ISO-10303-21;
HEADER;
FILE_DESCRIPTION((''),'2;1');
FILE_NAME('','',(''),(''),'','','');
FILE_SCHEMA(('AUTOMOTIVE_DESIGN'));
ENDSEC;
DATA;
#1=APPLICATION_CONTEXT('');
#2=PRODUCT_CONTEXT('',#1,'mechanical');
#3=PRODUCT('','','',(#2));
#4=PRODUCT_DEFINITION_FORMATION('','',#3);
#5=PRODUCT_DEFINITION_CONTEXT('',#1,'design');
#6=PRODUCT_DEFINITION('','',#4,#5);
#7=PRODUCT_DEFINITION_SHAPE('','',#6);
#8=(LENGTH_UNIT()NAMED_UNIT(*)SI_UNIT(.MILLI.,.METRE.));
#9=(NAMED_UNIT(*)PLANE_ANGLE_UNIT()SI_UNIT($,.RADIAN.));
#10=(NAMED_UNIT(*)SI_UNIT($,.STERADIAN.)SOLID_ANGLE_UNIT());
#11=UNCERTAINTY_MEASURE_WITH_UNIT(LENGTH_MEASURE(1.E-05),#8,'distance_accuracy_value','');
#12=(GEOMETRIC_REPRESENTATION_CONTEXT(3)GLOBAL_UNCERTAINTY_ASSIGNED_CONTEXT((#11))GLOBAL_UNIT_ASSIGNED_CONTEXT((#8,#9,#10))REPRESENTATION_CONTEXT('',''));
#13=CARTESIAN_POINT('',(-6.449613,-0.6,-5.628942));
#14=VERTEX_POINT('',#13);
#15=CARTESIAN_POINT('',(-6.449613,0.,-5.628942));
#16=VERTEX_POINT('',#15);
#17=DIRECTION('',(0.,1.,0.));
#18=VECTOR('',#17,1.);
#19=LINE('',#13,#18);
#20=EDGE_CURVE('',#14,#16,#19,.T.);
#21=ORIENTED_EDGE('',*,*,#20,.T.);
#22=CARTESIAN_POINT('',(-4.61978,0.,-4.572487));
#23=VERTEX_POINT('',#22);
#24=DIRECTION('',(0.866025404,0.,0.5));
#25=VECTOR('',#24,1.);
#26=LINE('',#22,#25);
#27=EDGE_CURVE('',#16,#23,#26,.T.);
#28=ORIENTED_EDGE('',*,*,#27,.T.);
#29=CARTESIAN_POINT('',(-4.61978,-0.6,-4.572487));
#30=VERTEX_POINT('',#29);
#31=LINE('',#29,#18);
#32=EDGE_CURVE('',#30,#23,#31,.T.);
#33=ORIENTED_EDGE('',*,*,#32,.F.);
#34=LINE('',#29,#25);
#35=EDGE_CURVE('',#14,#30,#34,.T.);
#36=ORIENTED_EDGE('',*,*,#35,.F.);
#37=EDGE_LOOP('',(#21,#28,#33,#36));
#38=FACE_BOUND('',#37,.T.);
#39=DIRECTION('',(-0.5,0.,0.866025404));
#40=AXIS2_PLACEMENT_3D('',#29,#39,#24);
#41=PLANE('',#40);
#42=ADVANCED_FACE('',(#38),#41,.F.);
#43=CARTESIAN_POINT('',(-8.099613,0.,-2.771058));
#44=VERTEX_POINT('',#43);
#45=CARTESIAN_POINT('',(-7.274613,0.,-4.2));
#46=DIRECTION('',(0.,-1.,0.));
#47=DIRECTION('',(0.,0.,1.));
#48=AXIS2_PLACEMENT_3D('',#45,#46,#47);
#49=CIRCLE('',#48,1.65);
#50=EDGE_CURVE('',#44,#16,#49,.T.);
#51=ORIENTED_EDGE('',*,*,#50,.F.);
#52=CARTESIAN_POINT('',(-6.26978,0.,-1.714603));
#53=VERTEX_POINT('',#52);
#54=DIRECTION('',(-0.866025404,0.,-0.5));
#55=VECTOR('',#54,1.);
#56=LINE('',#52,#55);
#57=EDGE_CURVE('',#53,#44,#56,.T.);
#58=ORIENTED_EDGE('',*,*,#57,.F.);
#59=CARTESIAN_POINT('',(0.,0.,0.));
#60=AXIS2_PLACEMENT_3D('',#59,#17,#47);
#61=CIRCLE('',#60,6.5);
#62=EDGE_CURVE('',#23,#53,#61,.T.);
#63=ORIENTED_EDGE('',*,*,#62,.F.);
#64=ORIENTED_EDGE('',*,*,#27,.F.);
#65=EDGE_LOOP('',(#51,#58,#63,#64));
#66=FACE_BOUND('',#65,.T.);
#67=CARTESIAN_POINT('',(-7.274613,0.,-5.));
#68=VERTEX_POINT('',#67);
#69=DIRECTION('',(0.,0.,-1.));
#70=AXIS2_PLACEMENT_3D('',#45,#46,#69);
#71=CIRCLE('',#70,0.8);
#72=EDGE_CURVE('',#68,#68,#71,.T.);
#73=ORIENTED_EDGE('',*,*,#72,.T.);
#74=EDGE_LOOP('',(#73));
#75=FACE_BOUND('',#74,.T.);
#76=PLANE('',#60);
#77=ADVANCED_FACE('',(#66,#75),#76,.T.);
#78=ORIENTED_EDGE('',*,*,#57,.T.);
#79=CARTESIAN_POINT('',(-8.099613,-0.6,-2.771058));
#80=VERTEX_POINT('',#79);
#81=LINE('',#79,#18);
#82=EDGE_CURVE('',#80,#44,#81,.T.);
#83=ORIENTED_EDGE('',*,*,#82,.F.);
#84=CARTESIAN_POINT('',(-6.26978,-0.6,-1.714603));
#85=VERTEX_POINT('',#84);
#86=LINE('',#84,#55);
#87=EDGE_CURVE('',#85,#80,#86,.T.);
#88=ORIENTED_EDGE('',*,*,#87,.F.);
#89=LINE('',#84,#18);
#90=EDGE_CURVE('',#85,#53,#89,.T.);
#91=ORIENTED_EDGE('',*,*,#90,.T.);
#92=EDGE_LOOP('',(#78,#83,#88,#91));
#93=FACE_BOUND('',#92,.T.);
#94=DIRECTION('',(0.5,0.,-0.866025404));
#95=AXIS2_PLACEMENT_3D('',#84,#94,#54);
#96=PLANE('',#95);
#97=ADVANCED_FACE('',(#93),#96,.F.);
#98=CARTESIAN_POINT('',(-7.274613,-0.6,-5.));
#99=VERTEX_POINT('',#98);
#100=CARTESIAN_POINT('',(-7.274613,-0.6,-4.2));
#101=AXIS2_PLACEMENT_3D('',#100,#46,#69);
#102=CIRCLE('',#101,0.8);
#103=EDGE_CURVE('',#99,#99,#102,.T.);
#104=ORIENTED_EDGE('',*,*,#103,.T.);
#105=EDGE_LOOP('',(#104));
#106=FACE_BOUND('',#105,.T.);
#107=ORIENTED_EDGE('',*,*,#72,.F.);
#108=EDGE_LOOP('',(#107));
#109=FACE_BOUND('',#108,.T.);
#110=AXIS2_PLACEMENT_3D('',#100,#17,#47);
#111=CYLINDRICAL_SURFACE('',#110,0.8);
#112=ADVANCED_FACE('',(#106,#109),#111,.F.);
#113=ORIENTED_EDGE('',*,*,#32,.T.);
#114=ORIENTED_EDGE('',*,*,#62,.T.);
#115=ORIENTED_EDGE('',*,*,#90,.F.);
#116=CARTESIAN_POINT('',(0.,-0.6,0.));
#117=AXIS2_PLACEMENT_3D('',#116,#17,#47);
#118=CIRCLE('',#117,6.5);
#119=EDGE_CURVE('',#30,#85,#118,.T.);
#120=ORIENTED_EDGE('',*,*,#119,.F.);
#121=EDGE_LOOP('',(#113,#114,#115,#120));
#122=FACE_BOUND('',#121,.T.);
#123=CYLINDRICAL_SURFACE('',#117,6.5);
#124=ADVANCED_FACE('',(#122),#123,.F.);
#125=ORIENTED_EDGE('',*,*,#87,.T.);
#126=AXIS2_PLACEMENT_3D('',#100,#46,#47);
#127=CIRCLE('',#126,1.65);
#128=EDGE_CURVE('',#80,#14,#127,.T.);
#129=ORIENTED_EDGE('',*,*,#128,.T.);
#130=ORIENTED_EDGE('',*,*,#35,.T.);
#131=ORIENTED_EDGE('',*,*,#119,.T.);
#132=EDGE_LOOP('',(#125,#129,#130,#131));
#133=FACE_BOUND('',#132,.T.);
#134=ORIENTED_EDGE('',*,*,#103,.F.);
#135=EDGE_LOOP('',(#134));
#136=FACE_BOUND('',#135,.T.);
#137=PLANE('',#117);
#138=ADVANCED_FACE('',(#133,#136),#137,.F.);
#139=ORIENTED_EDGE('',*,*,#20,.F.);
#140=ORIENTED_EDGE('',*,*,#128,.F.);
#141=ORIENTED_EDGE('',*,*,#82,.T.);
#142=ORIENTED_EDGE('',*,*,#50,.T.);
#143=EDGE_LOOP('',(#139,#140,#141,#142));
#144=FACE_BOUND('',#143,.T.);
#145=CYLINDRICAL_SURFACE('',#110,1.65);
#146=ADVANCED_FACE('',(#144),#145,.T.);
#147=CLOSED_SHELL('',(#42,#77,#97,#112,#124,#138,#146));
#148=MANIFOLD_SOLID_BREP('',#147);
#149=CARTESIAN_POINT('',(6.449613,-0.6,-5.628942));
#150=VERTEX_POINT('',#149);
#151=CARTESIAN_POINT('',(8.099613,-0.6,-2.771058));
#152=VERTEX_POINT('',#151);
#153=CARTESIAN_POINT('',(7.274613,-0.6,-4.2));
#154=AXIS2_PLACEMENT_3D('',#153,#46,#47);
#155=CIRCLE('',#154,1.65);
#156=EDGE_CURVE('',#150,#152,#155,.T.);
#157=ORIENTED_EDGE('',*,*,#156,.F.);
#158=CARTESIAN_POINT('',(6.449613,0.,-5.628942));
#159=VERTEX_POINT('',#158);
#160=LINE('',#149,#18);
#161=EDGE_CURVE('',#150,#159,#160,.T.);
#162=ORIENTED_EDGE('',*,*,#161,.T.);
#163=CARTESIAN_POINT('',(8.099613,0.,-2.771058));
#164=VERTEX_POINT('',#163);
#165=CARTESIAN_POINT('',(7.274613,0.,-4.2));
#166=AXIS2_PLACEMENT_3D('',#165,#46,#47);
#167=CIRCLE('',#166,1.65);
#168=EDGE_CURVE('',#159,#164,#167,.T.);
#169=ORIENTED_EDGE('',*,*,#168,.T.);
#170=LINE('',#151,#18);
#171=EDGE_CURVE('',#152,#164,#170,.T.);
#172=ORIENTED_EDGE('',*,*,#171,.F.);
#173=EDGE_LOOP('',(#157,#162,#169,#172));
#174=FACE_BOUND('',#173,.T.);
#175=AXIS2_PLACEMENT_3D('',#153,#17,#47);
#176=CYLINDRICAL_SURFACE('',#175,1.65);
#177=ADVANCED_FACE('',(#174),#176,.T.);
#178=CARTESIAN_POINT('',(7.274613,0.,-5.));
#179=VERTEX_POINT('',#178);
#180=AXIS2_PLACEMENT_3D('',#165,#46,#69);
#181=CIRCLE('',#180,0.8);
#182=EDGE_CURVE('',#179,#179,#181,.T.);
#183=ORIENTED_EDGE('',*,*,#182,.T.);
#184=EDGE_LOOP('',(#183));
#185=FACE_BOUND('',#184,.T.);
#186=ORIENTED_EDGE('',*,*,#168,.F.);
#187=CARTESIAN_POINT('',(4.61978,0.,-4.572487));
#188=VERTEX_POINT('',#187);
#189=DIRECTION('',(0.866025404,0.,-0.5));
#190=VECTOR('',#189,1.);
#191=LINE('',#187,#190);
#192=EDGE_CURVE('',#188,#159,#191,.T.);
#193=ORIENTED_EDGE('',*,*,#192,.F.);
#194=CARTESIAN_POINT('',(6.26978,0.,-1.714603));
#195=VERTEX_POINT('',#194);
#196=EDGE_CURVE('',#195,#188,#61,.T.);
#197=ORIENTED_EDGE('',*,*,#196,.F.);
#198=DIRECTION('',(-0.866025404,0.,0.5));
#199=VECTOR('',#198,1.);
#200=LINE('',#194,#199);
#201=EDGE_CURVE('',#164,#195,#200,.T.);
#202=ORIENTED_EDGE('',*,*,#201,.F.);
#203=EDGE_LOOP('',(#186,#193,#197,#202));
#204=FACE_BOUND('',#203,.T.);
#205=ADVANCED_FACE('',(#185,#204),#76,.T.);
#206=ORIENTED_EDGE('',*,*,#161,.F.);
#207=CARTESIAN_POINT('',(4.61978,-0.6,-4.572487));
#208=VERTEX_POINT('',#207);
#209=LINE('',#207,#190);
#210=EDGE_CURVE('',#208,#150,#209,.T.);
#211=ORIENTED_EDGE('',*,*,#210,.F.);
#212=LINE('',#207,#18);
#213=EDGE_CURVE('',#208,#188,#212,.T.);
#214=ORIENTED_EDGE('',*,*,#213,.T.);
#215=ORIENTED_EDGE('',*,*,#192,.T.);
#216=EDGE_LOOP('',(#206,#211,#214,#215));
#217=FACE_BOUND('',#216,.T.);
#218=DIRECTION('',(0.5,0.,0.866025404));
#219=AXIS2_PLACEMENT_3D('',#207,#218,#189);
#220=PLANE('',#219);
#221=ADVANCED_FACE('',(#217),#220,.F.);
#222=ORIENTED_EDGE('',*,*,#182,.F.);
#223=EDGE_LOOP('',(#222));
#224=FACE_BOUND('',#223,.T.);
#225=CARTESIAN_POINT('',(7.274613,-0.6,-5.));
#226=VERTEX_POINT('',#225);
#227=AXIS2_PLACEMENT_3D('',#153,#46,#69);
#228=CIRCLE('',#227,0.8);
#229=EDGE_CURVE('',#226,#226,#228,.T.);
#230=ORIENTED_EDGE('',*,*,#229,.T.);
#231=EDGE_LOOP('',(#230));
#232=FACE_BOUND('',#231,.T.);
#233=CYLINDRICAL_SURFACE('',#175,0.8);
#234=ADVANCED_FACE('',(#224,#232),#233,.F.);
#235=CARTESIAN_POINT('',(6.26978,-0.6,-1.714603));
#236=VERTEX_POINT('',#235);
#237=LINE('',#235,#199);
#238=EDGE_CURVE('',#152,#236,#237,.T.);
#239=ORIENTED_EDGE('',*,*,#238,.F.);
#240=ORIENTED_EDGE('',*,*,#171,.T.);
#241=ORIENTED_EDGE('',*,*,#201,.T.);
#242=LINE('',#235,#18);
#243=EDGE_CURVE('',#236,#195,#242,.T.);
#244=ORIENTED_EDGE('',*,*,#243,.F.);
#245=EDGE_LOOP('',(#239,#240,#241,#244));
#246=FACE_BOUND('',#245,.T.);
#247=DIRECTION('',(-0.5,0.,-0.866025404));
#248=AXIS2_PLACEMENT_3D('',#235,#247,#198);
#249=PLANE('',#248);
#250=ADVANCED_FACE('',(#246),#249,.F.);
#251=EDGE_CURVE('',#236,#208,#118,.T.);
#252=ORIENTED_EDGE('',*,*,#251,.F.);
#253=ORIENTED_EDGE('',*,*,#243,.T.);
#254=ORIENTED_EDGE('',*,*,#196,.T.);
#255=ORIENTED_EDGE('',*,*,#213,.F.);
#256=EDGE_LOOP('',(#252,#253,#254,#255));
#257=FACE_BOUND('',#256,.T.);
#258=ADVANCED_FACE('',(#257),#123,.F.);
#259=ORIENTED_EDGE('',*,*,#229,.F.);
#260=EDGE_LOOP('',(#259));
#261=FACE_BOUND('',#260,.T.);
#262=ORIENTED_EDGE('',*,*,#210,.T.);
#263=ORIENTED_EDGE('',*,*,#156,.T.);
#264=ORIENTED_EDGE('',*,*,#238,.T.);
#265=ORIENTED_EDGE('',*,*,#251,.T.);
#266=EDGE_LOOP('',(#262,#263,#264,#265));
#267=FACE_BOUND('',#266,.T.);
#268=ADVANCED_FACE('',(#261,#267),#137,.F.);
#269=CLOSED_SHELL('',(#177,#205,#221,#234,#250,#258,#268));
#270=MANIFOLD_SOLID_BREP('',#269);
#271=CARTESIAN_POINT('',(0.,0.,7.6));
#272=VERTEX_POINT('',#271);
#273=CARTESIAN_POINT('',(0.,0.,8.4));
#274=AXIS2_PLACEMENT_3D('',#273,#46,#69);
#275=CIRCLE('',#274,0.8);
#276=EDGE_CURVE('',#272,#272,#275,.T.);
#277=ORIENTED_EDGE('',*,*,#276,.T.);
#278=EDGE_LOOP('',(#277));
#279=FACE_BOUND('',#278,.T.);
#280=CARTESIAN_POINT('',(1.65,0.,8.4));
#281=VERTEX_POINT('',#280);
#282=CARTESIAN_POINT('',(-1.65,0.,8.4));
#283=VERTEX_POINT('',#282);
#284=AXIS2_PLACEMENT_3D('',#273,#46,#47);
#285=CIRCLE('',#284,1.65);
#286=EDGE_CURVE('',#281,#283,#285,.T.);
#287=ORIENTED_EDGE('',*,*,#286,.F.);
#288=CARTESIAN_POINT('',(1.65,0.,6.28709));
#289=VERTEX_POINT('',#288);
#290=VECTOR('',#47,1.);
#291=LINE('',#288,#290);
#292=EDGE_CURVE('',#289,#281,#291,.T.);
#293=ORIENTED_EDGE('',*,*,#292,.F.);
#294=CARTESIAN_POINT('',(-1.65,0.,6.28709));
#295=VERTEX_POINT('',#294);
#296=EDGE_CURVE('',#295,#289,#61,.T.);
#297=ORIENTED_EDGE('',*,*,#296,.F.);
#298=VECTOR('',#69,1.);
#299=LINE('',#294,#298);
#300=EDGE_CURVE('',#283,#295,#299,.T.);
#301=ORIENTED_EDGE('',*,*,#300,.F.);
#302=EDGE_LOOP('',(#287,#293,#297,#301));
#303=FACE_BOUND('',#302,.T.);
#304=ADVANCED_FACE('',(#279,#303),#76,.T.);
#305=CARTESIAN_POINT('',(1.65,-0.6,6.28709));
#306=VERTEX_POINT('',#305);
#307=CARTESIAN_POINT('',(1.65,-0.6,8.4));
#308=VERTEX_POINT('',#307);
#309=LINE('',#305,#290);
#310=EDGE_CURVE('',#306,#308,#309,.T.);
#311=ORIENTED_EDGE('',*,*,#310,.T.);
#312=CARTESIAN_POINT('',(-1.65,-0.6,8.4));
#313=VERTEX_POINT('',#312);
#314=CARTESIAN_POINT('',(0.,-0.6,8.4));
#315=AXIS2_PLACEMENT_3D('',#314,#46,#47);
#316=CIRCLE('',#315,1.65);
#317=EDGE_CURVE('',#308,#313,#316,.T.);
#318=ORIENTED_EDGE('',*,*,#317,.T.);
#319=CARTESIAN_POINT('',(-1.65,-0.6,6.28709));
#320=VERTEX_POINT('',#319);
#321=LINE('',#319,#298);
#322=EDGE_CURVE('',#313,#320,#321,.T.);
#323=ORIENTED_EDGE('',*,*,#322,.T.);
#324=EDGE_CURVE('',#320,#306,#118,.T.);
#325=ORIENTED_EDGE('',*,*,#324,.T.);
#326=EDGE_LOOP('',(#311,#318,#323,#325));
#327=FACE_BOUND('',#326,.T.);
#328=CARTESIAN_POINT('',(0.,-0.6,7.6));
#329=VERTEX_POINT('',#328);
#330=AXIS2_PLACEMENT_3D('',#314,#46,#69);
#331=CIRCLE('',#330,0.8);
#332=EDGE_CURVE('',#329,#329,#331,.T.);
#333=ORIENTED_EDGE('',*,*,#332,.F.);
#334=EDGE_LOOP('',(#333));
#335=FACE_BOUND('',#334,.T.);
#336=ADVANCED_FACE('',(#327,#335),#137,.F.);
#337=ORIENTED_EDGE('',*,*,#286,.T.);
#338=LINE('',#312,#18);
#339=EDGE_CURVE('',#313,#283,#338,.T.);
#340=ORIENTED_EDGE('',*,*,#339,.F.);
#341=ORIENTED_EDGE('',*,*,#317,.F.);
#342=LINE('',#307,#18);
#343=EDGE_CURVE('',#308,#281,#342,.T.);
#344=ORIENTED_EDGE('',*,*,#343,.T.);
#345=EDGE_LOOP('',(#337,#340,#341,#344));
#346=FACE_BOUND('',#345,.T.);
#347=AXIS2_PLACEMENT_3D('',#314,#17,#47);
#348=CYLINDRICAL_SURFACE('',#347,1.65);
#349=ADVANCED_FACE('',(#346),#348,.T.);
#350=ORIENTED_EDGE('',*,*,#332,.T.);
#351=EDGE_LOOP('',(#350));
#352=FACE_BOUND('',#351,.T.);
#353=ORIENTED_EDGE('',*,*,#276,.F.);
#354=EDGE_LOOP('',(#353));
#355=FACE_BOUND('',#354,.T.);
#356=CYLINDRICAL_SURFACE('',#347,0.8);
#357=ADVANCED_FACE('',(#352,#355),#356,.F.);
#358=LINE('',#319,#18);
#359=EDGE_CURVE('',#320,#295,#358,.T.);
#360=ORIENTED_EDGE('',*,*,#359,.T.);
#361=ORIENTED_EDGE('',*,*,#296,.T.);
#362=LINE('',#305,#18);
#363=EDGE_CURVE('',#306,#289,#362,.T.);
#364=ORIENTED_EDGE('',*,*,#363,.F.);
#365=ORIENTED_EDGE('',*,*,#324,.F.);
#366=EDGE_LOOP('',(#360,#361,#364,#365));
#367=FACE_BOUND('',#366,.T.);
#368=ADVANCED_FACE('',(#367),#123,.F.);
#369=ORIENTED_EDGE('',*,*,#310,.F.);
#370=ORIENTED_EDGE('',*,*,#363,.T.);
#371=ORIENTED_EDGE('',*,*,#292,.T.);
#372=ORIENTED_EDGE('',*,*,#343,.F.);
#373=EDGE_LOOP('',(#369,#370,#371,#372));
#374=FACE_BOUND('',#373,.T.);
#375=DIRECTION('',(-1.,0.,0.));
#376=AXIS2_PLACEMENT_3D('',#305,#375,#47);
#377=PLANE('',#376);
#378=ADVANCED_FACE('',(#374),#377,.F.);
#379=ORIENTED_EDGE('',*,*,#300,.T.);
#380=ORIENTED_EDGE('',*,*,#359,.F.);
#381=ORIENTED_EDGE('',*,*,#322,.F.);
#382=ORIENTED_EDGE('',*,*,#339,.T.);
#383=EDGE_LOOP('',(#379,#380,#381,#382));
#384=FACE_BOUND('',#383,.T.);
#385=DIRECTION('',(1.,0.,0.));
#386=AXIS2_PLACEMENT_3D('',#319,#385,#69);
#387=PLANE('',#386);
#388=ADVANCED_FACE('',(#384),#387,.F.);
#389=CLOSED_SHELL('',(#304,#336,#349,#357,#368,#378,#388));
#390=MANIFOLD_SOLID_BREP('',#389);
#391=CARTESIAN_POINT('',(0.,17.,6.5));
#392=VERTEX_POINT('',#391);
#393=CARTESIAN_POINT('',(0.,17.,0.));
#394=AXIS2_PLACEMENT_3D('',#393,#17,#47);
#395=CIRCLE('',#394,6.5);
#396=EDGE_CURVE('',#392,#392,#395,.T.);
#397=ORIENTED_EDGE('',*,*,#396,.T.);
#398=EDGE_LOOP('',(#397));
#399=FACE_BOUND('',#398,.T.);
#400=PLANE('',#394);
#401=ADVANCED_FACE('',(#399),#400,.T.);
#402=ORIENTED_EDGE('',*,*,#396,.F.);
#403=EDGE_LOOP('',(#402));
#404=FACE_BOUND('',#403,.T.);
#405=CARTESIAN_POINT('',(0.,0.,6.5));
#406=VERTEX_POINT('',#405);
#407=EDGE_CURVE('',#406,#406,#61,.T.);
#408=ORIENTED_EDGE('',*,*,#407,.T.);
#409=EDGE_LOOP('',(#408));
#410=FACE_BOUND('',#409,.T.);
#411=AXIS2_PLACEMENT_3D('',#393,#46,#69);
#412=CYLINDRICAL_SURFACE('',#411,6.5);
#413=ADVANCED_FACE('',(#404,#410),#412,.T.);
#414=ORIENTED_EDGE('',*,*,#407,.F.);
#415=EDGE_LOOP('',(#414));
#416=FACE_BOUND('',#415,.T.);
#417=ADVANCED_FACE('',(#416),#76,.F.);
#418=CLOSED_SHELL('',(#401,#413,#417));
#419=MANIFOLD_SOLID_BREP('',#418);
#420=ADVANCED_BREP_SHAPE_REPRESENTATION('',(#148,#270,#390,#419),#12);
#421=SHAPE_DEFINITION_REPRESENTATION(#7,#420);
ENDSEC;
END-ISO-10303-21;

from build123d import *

# Parameters (mm, degrees)
SKETCH1_R             = 6.5
BOSS_EXTRUDE1_DEPTH   = 17
SKETCH2_R             = 0.8
BOSS_EXTRUDE2_DEPTH   = 0.6
BOSS_EXTRUDE2_2_DEPTH = 0.6
BOSS_EXTRUDE2_3_DEPTH = 0.6


with BuildPart() as part:
    # Sketch1 → Boss-Extrude1 (new body)
    with BuildSketch(Plane(origin=(0, 0, 0), x_dir=(1, 0, 0), z_dir=(0, 1, 0))):
        with Locations(Location((0, 0, 0), (0, 0, 270))):
            Circle(SKETCH1_R)
    extrude(amount=BOSS_EXTRUDE1_DEPTH)


with BuildPart() as body_2:
    # Sketch2 → Boss-Extrude2 (new body)
    with BuildSketch(Plane(origin=(0, 0, 0), x_dir=(-1, 0, 0), z_dir=(0, -1, 0))):
        with BuildLine():
            Line((1.65, -6.287089947), (1.65, -8.4))
            ThreePointArc((1.65, -8.4), (0, -10.05), (-1.65, -8.4))
            Line((-1.65, -8.4), (-1.65, -6.287089947))
            ThreePointArc((-1.65, -6.287089947), (0, -6.5), (1.65, -6.287089947))
        make_face()
        with Locations(Location((0, -8.4, 0), (0, 0, 90))):
            Circle(SKETCH2_R, mode=Mode.SUBTRACT)
    extrude(amount=BOSS_EXTRUDE2_DEPTH)


with BuildPart() as body_3:
    # Sketch2 → Boss-Extrude2 2 (new body)
    with BuildSketch(Plane(origin=(0, 0, 0), x_dir=(-1, 0, 0), z_dir=(0, -1, 0))):
        with BuildLine():
            Line((-6.26977961, 1.714603057), (-8.099613392, 2.771058084))
            ThreePointArc((-8.099613392, 2.771058084), (-8.703555308, 5.025), (-6.449613392, 5.628941916))
            Line((-6.449613392, 5.628941916), (-4.61977961, 4.57248689))
            ThreePointArc((-4.61977961, 4.57248689), (-5.629165125, 3.25), (-6.26977961, 1.714603057))
        make_face()
        with Locations(Location((-7.274613392, 4.2, 0), (0, 0, 90))):
            Circle(SKETCH2_R, mode=Mode.SUBTRACT)
    extrude(amount=BOSS_EXTRUDE2_2_DEPTH)


with BuildPart() as body_4:
    # Sketch2 → Boss-Extrude2 3 (new body)
    with BuildSketch(Plane(origin=(0, 0, 0), x_dir=(-1, 0, 0), z_dir=(0, -1, 0))):
        with BuildLine():
            Line((4.61977961, 4.57248689), (6.449613392, 5.628941916))
            ThreePointArc((6.449613392, 5.628941916), (8.703555308, 5.025), (8.099613392, 2.771058084))
            Line((8.099613392, 2.771058084), (6.26977961, 1.714603057))
            ThreePointArc((6.26977961, 1.714603057), (5.629165125, 3.25), (4.61977961, 4.57248689))
        make_face()
        with Locations(Location((7.274613392, 4.2, 0), (0, 0, 90))):
            Circle(SKETCH2_R, mode=Mode.SUBTRACT)
    extrude(amount=BOSS_EXTRUDE2_3_DEPTH)


solid = Compound([part.part, body_2.part, body_3.part, body_4.part])
